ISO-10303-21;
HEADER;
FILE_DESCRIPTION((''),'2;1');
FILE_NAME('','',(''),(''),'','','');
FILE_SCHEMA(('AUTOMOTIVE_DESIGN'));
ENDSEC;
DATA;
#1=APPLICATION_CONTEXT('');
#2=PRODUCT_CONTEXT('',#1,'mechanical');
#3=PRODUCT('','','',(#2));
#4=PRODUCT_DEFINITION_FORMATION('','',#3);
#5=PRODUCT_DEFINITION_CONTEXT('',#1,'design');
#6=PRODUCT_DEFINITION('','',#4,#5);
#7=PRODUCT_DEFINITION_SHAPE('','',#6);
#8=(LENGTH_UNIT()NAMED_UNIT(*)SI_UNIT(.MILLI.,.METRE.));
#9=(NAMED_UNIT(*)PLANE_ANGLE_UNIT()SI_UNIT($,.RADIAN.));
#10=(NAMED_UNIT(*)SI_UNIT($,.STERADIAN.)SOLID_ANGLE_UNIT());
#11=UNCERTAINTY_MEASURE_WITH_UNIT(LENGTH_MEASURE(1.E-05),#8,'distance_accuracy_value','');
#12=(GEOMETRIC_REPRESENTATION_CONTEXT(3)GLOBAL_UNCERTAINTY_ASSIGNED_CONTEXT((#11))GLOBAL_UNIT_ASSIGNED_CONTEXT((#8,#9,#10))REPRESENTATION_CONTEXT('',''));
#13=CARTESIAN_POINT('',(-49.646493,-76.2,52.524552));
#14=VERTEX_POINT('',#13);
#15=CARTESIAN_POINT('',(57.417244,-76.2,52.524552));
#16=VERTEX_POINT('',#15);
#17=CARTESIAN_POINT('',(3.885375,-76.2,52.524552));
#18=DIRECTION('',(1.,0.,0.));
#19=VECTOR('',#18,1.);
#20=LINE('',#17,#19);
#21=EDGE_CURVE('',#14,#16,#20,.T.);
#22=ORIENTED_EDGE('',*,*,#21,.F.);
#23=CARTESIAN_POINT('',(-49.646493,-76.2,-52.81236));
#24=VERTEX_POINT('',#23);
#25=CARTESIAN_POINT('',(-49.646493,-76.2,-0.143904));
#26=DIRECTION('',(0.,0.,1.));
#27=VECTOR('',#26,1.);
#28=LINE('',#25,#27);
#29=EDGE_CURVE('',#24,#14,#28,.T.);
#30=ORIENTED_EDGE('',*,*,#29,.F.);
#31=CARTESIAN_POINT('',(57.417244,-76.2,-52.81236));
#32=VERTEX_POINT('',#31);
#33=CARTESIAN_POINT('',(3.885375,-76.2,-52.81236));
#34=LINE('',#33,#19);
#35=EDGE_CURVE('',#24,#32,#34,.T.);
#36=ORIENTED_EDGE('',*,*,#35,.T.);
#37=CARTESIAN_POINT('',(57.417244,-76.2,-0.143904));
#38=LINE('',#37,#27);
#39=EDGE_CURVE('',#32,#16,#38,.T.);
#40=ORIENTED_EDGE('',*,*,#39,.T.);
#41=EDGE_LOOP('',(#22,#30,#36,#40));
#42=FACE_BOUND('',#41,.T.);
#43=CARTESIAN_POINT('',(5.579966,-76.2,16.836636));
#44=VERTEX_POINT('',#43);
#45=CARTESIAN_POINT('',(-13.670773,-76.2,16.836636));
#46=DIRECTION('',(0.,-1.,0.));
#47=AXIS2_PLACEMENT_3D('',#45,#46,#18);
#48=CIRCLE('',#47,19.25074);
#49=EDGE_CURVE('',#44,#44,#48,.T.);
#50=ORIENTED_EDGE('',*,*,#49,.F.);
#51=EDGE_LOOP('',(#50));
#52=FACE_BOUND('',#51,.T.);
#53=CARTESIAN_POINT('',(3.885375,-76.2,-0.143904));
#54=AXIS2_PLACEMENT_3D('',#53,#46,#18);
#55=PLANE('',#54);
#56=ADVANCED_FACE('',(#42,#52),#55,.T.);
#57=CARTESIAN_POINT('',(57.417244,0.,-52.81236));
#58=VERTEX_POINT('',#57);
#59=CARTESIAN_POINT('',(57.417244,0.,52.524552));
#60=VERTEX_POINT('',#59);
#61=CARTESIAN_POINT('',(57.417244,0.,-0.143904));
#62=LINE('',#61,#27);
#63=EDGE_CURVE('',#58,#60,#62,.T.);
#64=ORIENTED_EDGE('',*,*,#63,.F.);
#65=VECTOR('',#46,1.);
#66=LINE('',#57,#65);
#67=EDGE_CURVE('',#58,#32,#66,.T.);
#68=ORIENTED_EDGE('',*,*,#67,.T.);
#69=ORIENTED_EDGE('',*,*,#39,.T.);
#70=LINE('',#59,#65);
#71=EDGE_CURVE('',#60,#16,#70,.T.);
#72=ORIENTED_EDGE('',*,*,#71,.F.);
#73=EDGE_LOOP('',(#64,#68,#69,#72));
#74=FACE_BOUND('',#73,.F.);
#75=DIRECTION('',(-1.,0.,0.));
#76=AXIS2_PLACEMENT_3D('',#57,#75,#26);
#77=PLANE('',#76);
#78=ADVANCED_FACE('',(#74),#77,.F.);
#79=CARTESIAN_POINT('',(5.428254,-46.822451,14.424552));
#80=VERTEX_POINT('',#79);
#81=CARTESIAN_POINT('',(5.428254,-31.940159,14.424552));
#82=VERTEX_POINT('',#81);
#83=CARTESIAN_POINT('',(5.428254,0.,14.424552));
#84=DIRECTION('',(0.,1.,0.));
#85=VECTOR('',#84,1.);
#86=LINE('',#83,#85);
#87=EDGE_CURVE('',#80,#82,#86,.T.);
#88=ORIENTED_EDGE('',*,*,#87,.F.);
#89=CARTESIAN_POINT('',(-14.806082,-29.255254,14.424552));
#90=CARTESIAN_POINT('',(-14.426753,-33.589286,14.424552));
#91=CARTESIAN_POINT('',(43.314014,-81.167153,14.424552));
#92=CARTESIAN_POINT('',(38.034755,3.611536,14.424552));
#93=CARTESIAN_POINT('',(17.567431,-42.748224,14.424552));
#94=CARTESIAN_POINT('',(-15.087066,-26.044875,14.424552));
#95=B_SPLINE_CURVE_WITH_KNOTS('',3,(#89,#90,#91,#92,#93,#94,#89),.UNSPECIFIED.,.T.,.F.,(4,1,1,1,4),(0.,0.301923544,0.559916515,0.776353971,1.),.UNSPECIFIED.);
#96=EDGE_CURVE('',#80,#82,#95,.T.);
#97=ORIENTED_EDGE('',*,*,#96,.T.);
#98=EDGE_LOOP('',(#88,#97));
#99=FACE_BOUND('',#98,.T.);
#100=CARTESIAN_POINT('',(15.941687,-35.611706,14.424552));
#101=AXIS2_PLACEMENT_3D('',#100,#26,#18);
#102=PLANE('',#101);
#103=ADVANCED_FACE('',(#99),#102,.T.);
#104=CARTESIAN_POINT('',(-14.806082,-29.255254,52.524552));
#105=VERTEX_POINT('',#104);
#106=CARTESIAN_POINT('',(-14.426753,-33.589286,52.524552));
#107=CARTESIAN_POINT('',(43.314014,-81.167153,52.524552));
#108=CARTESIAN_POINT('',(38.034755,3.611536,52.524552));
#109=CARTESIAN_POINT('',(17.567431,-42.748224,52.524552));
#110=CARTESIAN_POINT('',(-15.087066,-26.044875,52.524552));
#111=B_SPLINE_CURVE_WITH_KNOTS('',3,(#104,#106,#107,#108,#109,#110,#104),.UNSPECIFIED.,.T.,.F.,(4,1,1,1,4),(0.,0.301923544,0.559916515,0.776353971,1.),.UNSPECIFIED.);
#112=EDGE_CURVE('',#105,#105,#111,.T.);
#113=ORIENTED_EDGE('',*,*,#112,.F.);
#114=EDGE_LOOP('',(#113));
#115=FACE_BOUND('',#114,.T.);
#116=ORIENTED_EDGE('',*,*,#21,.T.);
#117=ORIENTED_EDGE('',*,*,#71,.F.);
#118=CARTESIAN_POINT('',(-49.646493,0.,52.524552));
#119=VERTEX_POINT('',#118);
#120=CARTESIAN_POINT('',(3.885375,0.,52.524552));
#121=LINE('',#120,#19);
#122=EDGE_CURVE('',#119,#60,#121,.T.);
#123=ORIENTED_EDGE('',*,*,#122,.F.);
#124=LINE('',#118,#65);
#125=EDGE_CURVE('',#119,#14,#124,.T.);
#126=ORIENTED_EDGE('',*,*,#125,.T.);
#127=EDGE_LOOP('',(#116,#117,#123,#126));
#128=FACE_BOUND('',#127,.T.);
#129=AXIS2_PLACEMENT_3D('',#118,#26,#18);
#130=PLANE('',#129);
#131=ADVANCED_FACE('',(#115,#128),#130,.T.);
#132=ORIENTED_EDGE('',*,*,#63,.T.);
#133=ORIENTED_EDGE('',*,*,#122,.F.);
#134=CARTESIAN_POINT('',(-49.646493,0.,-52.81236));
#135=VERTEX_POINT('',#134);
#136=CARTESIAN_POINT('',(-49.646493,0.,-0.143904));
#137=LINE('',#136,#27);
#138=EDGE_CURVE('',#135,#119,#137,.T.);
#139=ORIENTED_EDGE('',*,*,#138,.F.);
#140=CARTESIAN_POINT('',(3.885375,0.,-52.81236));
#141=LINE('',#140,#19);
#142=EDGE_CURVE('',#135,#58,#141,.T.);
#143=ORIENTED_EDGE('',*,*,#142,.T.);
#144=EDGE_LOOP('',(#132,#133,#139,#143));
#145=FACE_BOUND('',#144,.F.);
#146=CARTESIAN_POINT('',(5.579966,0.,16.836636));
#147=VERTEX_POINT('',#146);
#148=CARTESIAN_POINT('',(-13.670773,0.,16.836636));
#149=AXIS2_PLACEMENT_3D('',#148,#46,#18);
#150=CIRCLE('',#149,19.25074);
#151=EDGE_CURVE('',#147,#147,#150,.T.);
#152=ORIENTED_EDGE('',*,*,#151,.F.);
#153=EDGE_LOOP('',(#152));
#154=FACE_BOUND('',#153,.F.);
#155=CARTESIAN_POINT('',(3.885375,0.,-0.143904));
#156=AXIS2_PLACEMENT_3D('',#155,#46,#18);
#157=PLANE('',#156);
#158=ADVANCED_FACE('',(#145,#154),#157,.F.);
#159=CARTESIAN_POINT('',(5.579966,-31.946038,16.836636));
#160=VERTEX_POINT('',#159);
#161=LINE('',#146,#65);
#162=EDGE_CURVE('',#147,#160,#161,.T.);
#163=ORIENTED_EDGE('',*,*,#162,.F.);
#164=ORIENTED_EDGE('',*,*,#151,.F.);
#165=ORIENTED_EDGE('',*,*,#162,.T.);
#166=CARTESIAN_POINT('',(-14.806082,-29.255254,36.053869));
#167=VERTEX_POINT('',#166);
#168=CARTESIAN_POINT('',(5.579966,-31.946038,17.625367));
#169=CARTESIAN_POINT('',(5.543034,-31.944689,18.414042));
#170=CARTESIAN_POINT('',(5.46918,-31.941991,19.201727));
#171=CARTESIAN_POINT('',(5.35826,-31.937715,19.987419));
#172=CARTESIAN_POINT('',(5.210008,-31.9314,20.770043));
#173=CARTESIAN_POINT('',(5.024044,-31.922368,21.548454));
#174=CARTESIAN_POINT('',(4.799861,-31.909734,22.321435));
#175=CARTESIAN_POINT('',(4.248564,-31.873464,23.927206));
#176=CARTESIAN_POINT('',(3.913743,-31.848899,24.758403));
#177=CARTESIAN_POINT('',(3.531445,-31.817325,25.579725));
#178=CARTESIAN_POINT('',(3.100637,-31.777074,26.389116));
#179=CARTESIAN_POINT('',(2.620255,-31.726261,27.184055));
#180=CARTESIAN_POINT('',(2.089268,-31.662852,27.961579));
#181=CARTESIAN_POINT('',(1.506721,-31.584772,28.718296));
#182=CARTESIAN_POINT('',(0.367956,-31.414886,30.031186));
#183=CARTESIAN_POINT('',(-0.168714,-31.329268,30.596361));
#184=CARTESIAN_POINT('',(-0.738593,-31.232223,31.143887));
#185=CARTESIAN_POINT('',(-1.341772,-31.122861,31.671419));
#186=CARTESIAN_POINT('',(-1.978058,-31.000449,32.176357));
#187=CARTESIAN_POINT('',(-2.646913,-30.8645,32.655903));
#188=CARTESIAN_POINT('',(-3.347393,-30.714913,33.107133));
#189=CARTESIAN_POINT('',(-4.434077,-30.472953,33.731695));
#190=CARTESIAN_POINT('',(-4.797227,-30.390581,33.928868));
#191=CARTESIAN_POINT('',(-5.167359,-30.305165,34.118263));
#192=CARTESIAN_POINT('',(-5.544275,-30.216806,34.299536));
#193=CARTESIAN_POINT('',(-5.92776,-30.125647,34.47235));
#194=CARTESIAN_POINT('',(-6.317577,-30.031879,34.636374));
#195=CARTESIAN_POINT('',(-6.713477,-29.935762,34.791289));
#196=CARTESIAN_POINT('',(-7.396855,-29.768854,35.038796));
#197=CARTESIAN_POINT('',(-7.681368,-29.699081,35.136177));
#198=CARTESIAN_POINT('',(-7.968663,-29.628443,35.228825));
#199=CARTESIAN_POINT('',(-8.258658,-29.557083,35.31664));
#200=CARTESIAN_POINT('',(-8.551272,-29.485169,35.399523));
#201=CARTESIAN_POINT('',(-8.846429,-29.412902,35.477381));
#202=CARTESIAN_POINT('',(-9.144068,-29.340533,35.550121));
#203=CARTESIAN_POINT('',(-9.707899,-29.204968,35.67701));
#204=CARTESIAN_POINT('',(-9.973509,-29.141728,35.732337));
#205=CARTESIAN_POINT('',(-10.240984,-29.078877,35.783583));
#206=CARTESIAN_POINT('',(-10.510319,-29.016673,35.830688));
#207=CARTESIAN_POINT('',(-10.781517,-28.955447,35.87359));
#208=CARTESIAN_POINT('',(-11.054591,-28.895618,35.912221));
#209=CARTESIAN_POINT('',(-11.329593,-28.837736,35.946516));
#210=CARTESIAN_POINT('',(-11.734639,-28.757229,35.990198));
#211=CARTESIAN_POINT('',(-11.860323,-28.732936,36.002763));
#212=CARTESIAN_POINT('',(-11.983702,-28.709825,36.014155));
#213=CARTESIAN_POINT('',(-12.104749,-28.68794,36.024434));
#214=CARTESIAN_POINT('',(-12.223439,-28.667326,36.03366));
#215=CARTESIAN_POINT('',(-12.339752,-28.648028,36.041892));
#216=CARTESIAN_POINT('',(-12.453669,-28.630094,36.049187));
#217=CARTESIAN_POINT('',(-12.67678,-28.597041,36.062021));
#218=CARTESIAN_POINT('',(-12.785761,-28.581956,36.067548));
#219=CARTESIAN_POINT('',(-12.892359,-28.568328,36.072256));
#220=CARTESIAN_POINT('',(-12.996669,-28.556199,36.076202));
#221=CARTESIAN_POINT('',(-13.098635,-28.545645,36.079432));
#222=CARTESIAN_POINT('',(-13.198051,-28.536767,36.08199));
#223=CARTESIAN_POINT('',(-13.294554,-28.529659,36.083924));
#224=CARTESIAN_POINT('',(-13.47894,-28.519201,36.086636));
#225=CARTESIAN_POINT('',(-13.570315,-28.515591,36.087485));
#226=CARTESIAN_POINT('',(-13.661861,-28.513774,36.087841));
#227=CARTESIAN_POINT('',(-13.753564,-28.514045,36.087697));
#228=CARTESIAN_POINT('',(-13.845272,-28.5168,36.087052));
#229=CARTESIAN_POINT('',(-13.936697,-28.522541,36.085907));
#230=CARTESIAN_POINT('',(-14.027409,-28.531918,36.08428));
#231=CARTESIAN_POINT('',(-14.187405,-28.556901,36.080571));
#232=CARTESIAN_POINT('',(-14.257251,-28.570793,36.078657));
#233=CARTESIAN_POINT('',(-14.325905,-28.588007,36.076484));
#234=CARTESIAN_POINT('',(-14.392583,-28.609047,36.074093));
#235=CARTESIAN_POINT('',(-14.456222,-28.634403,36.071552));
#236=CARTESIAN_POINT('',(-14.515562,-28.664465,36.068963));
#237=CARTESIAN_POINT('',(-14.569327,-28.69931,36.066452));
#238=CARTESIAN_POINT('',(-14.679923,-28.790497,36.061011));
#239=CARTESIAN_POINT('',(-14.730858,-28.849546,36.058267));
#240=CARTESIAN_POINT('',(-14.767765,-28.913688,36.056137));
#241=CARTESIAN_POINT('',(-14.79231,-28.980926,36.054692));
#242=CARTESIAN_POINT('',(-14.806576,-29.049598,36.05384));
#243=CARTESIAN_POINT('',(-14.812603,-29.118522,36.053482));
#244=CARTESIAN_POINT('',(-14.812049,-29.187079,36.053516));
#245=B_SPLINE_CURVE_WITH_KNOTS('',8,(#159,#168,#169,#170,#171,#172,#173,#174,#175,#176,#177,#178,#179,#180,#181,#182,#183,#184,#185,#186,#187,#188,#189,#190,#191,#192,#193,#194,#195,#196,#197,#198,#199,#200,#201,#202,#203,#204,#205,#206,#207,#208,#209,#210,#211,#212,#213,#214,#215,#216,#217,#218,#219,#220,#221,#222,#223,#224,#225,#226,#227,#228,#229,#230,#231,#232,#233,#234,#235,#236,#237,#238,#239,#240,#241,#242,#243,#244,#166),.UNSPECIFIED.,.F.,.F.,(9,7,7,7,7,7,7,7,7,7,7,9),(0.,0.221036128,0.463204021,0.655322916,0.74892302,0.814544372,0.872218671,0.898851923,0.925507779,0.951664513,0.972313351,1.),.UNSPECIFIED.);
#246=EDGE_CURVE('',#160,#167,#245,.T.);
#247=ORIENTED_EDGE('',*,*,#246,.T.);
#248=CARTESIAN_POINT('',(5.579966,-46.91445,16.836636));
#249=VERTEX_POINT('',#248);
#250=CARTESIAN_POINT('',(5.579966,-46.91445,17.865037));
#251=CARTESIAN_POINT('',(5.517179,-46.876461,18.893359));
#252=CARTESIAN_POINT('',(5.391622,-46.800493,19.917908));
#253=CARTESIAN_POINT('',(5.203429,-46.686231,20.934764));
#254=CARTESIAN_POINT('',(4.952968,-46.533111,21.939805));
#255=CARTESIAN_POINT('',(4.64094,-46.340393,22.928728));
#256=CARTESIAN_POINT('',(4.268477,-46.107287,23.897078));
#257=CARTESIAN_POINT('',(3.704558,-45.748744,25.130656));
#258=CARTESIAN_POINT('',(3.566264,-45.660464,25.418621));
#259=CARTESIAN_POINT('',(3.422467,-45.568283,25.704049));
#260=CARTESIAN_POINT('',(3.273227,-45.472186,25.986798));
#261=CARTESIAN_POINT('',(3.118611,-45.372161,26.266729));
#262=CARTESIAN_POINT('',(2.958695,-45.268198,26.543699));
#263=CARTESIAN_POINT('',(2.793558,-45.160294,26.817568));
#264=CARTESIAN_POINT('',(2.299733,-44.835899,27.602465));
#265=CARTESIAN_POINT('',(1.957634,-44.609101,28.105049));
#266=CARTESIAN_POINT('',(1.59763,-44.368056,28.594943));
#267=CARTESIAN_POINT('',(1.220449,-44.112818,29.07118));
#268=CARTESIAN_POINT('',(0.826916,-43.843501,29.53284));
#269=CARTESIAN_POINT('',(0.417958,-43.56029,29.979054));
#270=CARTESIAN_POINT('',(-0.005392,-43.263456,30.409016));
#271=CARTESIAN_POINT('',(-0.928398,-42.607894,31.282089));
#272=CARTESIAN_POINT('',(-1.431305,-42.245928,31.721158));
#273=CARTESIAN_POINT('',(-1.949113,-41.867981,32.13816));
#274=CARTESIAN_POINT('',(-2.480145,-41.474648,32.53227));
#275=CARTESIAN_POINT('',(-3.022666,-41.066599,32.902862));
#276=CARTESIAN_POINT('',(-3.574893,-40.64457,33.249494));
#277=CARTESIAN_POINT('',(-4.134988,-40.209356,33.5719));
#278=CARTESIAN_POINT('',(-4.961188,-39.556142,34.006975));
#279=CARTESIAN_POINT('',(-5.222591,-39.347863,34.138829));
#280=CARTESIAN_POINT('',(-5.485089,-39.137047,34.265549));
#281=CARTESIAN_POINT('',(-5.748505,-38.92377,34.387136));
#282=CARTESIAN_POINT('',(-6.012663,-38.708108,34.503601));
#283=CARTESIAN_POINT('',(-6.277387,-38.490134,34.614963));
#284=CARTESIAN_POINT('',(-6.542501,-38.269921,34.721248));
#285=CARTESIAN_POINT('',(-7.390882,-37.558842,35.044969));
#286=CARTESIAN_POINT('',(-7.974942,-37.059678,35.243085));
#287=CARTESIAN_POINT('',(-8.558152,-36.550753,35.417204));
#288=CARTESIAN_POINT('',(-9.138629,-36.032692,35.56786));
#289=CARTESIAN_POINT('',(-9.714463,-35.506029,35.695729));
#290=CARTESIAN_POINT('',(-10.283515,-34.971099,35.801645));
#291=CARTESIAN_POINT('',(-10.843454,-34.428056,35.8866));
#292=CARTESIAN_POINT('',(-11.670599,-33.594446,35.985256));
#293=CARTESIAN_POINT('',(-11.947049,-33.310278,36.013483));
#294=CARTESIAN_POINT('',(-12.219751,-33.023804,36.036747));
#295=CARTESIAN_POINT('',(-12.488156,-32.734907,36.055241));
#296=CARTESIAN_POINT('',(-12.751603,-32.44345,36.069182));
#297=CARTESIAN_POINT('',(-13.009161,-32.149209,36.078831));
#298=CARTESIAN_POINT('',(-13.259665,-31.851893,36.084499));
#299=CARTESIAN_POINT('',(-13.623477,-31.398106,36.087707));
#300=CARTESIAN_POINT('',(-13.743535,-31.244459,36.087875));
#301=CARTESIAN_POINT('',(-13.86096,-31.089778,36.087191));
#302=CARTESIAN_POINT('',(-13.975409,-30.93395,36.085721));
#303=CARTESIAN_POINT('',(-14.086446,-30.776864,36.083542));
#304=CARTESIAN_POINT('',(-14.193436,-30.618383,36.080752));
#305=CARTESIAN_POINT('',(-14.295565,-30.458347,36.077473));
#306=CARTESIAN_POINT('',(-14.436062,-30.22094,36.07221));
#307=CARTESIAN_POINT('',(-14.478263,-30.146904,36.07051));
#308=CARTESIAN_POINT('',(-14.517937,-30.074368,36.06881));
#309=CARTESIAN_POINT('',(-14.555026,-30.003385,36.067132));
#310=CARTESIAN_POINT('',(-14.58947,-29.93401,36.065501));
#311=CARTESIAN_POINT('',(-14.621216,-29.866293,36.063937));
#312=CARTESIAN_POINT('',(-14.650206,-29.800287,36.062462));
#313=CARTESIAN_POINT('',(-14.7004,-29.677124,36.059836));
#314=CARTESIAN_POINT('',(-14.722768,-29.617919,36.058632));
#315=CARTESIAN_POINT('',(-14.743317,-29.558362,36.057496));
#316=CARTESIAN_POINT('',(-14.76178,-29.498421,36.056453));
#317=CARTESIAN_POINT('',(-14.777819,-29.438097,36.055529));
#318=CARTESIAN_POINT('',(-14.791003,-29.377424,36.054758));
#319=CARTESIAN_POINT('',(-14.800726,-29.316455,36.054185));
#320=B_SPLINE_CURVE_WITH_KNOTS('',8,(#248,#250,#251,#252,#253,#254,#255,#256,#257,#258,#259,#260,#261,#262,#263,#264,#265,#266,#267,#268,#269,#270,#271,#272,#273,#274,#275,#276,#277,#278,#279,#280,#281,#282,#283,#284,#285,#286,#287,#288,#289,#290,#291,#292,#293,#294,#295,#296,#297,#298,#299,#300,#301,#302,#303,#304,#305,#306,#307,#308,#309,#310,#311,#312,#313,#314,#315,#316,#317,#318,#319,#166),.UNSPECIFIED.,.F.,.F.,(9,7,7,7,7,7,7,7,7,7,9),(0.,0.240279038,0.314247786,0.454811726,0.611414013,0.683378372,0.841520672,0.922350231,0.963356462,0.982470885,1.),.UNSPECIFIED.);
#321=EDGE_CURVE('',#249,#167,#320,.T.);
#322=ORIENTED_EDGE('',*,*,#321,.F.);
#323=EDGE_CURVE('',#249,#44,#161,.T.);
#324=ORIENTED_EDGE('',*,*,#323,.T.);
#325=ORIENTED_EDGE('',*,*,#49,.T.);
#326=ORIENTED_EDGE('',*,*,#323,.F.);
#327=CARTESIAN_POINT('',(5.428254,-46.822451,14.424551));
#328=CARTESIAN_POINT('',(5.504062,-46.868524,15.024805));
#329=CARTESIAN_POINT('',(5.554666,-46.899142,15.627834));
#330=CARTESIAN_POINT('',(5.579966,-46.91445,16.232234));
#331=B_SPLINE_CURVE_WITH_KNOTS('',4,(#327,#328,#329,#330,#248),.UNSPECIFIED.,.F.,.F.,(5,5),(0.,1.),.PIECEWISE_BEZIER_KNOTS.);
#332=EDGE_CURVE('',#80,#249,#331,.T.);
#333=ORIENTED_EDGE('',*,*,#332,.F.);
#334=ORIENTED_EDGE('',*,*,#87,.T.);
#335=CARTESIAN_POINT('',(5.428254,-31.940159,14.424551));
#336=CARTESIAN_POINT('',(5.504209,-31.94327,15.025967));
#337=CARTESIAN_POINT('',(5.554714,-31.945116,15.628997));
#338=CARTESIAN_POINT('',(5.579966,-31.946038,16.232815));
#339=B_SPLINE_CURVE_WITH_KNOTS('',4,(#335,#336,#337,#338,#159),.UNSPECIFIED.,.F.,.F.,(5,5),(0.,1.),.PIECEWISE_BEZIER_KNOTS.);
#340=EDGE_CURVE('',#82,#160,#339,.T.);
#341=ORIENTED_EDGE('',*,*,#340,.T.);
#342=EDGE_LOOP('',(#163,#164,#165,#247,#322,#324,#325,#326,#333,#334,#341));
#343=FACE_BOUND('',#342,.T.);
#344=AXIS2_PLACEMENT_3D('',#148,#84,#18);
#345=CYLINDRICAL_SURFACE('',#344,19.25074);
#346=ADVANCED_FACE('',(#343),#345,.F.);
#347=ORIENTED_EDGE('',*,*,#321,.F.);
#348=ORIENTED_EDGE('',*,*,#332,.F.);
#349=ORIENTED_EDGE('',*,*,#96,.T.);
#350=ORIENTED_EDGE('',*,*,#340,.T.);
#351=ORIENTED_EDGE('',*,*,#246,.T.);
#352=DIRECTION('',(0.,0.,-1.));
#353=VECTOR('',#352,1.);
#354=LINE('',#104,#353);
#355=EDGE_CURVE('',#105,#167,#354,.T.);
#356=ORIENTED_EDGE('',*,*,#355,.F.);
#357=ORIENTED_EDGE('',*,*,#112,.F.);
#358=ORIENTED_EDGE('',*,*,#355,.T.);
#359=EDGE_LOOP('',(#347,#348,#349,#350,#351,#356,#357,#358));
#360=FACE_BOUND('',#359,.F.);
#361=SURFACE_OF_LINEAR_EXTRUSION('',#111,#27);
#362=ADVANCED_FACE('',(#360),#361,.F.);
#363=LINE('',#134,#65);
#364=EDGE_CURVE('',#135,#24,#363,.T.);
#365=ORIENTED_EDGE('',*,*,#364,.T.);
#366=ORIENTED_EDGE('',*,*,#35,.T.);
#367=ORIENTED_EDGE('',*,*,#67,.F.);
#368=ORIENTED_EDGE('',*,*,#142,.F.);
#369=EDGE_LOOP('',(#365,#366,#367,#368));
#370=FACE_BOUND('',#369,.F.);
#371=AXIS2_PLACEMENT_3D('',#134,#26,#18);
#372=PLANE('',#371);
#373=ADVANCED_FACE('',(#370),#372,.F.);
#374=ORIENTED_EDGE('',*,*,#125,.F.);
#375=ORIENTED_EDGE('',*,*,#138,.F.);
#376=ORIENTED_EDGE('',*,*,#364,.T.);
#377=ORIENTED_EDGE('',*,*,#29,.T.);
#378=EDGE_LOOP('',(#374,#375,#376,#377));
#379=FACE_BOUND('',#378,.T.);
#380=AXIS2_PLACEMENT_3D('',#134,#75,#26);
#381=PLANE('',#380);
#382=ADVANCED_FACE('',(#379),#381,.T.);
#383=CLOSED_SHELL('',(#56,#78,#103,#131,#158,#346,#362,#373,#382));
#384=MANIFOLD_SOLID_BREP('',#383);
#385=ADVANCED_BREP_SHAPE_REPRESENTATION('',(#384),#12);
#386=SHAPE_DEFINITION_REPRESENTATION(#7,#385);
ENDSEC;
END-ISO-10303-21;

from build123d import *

# Parameters (mm, degrees)
F0_W     = 107.0637367666
F0_H     = 105.3369119763
F0_R     = 19.2507397317
F1_DEPTH = 76.2
F3_DEPTH = 38.1


with BuildPart() as f1:
    # F0 (on Front) → F1 (new body)
    with BuildSketch(Plane.XZ):
        with Locations((3.8853753358, -0.1439042389)):
            Rectangle(F0_W, F0_H)
        with Locations((-13.6707732454, 16.8366357684)):
            Circle(F0_R, mode=Mode.SUBTRACT)
    extrude(amount=F1_DEPTH)

    # F2 (on face) → F3 (cut)
    with BuildSketch(Plane.XY.offset(52.5245517492)):
        with BuildLine():
            add(Edge.make_bspline(
                [(-14.8060824722, -29.2552541941), (-14.4267527486, -33.5892864998), (43.3140140382, -81.1671529184), (38.0347545123, 3.6115362955), (17.5674305492, -42.7482236426), (-15.0870661462, -26.0448748214), (-14.8060824722, -29.2552541941)],
                knots=[0, 0, 0, 0, 0.3019235435, 0.5599165152, 0.7763539706, 1, 1, 1, 1], degree=3))
        make_face()
    extrude(amount=-F3_DEPTH, mode=Mode.SUBTRACT)


solid = f1.part
